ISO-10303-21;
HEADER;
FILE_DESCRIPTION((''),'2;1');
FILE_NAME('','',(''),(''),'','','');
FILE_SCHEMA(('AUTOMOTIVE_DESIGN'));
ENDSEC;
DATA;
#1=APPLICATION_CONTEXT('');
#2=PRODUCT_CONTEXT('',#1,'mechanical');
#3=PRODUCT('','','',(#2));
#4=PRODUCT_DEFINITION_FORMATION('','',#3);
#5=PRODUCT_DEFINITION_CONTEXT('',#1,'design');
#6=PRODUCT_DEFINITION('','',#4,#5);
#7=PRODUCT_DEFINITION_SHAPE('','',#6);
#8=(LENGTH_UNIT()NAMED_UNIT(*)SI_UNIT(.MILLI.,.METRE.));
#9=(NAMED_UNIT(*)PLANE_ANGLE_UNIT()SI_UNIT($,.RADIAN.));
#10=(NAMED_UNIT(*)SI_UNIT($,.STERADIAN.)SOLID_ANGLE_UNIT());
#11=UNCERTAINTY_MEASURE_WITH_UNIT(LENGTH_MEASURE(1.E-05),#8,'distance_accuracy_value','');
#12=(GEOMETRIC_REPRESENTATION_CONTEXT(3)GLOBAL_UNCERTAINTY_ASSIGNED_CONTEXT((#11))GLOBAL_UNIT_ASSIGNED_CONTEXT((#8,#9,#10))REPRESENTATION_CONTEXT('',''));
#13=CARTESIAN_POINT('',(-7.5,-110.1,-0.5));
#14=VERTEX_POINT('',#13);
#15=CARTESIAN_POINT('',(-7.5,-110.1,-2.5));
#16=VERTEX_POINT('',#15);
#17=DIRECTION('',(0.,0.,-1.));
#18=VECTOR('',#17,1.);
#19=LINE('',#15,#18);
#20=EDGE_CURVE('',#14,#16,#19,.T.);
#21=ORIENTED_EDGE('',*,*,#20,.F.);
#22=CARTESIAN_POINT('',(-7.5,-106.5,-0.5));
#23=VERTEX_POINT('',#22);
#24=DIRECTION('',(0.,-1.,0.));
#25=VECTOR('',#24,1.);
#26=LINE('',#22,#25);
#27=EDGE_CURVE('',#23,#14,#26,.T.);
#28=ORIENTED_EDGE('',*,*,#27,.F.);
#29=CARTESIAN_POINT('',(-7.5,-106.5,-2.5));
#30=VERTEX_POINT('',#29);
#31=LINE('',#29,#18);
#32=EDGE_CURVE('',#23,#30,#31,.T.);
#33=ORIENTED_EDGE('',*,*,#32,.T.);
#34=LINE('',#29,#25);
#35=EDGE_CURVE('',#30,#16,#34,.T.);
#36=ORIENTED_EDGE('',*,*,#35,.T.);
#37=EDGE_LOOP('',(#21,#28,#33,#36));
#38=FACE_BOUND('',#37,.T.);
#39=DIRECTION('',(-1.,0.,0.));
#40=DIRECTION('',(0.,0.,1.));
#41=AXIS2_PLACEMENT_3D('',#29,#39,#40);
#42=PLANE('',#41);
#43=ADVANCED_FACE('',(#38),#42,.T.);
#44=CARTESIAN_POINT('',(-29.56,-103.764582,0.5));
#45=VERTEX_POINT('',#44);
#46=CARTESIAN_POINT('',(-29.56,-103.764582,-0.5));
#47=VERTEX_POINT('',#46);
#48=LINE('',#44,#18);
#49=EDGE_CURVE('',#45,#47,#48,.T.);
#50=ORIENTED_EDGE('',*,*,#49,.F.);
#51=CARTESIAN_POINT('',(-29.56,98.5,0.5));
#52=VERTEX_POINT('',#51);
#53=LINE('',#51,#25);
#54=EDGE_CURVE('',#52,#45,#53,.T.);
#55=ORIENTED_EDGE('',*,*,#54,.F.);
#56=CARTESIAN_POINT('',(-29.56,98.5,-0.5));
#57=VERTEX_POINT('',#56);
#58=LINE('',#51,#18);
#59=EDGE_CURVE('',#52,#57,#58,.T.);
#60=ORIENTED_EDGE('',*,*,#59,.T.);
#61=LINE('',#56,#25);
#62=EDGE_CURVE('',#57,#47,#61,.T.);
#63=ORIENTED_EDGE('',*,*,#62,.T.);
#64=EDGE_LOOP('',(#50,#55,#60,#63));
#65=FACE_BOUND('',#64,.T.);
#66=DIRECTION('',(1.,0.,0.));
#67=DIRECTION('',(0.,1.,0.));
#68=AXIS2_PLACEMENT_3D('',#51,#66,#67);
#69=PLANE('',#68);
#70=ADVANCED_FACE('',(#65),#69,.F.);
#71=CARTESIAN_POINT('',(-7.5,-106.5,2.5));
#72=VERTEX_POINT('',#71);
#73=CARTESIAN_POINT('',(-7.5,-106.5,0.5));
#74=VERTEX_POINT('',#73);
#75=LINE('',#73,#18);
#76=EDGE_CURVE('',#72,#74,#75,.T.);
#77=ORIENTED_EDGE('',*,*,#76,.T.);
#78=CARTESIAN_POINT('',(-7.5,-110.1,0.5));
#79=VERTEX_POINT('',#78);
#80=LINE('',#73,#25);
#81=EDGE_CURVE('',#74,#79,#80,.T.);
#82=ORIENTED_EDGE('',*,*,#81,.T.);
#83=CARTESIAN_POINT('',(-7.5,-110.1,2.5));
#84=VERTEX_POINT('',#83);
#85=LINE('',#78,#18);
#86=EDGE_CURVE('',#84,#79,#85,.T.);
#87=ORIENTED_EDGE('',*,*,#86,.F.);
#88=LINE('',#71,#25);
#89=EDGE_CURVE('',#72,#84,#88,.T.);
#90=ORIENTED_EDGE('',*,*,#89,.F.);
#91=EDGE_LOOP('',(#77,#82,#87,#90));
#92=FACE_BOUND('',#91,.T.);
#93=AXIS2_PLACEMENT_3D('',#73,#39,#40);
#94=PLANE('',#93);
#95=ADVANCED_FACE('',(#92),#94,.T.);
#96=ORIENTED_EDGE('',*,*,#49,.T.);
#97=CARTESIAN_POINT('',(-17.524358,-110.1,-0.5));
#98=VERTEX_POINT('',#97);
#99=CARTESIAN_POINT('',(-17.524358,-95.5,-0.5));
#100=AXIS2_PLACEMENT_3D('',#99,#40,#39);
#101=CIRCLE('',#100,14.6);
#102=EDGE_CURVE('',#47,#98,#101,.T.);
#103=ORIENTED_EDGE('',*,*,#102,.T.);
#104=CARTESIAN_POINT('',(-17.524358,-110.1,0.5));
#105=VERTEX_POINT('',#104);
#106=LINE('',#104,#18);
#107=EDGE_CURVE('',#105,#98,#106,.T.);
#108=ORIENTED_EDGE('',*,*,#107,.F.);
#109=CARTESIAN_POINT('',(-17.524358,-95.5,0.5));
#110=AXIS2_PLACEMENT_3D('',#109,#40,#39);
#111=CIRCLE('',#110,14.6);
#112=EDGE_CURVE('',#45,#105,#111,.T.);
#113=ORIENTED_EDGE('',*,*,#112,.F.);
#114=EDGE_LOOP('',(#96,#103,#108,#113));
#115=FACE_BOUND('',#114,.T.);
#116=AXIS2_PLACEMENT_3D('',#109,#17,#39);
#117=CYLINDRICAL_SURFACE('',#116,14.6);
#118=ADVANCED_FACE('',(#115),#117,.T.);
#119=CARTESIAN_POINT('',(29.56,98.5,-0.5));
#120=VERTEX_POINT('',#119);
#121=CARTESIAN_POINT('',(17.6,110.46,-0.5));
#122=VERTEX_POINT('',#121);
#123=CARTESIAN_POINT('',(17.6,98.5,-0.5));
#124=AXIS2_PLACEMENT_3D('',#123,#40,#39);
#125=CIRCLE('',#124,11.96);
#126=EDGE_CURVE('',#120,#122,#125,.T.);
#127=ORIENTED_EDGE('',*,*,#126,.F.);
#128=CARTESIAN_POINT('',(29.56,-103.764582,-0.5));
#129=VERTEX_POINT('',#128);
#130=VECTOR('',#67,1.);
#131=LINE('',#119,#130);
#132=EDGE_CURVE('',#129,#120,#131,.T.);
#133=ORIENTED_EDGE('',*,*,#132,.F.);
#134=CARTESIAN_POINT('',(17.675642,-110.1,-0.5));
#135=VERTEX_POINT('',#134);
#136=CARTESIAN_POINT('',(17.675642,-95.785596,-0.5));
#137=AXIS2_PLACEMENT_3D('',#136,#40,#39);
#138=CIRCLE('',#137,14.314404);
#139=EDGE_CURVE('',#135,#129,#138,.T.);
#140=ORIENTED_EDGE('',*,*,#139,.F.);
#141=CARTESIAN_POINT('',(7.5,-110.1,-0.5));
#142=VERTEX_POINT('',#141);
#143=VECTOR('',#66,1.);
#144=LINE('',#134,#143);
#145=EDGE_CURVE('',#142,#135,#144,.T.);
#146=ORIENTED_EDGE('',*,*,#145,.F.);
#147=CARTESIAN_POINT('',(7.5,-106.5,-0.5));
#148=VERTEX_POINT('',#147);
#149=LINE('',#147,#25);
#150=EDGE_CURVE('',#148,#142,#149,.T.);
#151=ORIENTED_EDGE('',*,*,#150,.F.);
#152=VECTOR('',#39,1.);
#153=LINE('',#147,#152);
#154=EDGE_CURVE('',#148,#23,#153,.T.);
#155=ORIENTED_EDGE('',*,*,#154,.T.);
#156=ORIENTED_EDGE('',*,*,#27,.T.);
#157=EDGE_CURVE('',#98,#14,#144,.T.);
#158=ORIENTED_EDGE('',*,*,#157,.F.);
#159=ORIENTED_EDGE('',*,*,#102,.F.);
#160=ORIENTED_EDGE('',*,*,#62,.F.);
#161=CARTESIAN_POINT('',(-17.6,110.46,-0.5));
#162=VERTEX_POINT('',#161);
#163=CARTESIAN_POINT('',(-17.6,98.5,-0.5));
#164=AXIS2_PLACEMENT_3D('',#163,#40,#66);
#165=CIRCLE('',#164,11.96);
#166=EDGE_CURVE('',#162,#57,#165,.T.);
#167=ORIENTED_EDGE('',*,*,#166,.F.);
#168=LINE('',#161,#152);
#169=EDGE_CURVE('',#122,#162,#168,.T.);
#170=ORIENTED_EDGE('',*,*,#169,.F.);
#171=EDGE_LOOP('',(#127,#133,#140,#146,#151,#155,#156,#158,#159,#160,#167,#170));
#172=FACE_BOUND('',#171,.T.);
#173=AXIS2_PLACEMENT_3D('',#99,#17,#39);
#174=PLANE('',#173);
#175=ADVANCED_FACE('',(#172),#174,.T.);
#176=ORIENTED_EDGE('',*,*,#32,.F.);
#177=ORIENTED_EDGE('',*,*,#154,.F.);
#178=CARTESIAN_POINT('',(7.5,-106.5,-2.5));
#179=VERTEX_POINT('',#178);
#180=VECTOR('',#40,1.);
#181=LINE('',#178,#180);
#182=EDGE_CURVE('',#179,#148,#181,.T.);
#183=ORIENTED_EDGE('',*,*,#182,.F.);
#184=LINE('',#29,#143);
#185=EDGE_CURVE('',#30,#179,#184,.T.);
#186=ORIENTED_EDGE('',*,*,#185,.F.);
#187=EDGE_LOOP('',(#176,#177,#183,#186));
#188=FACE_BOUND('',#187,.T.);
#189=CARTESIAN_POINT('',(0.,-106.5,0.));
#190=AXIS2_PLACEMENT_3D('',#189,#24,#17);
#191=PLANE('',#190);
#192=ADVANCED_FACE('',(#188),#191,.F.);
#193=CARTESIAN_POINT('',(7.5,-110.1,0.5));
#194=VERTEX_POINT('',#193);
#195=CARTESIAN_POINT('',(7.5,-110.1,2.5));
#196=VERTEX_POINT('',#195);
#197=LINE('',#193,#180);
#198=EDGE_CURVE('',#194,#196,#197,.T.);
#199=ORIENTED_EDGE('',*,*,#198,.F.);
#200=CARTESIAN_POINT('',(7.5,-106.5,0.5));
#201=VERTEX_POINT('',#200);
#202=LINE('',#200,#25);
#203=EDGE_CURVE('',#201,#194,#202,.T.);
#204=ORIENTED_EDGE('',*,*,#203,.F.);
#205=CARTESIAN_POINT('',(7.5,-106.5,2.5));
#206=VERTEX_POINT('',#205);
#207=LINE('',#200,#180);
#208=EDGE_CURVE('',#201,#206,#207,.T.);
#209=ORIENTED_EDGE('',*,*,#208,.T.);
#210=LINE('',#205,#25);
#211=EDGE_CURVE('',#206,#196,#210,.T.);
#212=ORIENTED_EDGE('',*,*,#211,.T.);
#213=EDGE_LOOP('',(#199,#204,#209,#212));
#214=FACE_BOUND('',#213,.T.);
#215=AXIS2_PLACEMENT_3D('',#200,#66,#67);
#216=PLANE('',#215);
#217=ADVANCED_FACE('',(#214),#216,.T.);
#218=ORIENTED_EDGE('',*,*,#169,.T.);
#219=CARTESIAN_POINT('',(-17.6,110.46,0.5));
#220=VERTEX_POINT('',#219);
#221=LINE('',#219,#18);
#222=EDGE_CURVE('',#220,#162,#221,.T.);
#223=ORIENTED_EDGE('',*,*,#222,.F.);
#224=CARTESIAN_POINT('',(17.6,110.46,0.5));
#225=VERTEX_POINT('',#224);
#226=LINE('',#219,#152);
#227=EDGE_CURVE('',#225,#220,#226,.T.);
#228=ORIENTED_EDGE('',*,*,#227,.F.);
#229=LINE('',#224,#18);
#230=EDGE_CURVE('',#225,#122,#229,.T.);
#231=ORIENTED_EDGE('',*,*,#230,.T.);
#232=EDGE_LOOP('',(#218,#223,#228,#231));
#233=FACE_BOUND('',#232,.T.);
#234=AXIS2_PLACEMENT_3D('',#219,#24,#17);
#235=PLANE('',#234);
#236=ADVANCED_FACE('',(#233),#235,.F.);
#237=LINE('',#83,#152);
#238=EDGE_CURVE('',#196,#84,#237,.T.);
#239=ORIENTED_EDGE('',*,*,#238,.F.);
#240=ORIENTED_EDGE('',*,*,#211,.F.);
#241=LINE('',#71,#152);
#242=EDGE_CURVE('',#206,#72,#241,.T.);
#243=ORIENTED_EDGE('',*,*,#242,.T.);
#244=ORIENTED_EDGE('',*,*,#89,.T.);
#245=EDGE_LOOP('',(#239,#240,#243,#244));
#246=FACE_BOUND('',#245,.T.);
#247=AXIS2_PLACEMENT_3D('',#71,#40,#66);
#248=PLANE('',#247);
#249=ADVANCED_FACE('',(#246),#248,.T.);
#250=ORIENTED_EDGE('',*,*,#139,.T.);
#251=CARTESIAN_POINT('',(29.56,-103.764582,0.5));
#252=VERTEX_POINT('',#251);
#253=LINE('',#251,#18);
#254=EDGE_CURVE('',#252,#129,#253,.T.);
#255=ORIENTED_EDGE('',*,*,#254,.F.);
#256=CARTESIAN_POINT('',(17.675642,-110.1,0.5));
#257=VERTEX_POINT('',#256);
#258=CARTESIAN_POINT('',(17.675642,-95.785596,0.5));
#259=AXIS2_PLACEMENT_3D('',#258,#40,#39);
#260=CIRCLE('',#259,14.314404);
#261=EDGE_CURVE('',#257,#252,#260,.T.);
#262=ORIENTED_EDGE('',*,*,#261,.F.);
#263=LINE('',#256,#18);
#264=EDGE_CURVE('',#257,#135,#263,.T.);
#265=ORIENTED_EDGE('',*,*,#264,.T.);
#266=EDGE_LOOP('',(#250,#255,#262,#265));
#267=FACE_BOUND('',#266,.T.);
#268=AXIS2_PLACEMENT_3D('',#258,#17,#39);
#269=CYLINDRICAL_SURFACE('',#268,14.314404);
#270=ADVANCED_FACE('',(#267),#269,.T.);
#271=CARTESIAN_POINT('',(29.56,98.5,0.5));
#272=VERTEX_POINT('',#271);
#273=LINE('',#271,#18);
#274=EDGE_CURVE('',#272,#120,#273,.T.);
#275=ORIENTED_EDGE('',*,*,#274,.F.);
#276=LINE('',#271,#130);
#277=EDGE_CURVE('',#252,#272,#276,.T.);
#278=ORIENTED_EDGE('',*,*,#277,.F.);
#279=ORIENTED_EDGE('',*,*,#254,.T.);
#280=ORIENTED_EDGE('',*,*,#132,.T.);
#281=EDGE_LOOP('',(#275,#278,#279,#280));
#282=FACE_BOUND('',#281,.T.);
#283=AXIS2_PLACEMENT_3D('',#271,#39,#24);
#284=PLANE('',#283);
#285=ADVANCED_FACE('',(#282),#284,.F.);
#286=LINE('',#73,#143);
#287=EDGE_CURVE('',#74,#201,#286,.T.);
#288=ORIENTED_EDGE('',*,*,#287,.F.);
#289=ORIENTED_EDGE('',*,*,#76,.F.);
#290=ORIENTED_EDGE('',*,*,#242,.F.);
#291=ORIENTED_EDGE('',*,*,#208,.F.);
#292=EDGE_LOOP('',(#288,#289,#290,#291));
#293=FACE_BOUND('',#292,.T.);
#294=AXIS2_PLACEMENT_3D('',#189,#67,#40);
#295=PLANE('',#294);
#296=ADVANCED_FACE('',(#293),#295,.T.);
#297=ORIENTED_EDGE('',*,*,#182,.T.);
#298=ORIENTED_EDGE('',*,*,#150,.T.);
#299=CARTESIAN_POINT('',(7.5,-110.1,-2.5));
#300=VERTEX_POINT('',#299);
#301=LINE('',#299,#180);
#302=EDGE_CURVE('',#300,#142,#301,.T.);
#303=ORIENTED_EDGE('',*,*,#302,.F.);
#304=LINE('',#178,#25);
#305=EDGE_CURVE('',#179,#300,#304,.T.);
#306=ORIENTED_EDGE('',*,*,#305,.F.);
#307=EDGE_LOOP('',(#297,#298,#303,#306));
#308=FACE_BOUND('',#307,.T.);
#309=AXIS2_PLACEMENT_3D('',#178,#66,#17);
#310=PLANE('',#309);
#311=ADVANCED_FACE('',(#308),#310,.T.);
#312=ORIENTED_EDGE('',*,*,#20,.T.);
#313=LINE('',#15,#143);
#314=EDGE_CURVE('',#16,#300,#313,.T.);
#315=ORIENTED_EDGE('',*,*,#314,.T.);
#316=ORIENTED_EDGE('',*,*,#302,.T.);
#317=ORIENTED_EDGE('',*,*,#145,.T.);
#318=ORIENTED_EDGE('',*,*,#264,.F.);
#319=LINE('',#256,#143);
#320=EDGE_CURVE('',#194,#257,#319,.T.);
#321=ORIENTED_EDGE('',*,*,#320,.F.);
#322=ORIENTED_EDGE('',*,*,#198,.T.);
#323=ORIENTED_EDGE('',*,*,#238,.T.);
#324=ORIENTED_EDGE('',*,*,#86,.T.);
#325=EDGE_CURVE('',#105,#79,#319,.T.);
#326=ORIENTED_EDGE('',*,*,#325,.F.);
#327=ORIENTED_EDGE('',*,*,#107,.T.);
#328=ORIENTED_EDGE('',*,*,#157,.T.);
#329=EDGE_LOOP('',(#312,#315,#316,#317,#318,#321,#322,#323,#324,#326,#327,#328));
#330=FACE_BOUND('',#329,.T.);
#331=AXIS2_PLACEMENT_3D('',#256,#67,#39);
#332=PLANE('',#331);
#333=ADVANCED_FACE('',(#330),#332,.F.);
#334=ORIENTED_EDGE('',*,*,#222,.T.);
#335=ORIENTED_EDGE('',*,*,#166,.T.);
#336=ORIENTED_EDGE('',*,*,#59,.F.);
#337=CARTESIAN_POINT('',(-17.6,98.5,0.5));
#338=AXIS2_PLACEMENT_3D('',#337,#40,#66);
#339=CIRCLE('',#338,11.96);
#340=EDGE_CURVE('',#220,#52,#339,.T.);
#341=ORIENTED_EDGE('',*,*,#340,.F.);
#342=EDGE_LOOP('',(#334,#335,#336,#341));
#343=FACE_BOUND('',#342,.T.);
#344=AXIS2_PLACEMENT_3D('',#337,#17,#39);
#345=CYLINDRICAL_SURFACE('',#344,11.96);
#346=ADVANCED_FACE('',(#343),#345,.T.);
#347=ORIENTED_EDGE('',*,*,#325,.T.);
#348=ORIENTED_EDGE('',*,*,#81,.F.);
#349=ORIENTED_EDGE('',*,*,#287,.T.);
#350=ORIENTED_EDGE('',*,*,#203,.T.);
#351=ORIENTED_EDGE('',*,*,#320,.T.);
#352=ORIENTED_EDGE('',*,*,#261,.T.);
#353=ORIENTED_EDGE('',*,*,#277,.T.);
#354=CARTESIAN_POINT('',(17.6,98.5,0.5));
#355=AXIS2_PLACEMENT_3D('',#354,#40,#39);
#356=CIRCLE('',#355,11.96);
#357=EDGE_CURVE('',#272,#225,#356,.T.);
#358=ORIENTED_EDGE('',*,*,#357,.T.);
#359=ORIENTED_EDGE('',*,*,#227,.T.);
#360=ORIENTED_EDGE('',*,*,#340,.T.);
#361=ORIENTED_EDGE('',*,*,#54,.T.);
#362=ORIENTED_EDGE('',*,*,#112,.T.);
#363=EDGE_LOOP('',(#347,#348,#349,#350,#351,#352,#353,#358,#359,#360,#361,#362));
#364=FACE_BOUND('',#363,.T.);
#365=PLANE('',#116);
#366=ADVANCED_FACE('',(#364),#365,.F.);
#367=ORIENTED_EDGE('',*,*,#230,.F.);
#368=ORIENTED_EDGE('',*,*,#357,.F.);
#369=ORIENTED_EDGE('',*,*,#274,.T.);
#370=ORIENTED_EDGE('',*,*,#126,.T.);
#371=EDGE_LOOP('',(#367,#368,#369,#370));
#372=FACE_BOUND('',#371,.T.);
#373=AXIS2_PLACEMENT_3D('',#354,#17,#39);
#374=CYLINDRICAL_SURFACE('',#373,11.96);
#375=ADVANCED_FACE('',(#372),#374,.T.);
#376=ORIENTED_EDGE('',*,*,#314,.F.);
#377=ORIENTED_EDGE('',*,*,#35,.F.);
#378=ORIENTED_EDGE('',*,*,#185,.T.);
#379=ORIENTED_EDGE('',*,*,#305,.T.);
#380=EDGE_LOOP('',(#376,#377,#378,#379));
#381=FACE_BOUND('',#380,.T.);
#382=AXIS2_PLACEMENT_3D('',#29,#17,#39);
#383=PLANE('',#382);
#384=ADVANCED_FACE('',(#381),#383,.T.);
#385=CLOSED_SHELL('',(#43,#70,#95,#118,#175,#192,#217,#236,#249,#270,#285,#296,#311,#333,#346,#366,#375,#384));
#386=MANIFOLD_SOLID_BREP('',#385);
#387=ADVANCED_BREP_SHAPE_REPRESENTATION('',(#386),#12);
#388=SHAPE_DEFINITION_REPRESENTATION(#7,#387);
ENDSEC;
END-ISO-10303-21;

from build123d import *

# Parameters (mm, degrees)
EXTRUDE_1_DEPTH = 0.5
SKETCH_2_W      = 15
SKETCH_2_H      = 2
EXTRUDE_2_DEPTH = 3.6


with BuildPart() as part:
    # 草圖1 → 填料-伸長1 (new body, symmetric)
    with BuildSketch(Plane.XY):
        with BuildLine():
            Line((-17.6, 110.46), (17.6, 110.46))
            ThreePointArc((17.6, 110.46), (26.056997103, 106.956997103), (29.56, 98.5))
            Line((29.56, 98.5), (29.56, -103.764581662))
            ThreePointArc((29.56, -103.764581662), (24.409428177, -108.417234577), (17.675642482, -110.1))
            Line((17.675642482, -110.1), (-17.524357518, -110.1))
            ThreePointArc((-17.524357518, -110.1), (-24.32498645, -108.419421277), (-29.56, -103.764581662))
            Line((-29.56, -103.764581662), (-29.56, 98.5))
            ThreePointArc((-29.56, 98.5), (-26.056997103, 106.956997103), (-17.6, 110.46))
        make_face()
    extrude(amount=EXTRUDE_1_DEPTH, both=True)

    # 草圖2 → 填料-伸長2 (add)
    with BuildSketch(Plane.XZ.offset(110.1)):
        with Locations((0, -1.5)):
            Rectangle(SKETCH_2_W, SKETCH_2_H)
        with Locations((0, 1.5)):
            Rectangle(SKETCH_2_W, SKETCH_2_H)
    extrude(amount=-EXTRUDE_2_DEPTH)


solid = part.part
